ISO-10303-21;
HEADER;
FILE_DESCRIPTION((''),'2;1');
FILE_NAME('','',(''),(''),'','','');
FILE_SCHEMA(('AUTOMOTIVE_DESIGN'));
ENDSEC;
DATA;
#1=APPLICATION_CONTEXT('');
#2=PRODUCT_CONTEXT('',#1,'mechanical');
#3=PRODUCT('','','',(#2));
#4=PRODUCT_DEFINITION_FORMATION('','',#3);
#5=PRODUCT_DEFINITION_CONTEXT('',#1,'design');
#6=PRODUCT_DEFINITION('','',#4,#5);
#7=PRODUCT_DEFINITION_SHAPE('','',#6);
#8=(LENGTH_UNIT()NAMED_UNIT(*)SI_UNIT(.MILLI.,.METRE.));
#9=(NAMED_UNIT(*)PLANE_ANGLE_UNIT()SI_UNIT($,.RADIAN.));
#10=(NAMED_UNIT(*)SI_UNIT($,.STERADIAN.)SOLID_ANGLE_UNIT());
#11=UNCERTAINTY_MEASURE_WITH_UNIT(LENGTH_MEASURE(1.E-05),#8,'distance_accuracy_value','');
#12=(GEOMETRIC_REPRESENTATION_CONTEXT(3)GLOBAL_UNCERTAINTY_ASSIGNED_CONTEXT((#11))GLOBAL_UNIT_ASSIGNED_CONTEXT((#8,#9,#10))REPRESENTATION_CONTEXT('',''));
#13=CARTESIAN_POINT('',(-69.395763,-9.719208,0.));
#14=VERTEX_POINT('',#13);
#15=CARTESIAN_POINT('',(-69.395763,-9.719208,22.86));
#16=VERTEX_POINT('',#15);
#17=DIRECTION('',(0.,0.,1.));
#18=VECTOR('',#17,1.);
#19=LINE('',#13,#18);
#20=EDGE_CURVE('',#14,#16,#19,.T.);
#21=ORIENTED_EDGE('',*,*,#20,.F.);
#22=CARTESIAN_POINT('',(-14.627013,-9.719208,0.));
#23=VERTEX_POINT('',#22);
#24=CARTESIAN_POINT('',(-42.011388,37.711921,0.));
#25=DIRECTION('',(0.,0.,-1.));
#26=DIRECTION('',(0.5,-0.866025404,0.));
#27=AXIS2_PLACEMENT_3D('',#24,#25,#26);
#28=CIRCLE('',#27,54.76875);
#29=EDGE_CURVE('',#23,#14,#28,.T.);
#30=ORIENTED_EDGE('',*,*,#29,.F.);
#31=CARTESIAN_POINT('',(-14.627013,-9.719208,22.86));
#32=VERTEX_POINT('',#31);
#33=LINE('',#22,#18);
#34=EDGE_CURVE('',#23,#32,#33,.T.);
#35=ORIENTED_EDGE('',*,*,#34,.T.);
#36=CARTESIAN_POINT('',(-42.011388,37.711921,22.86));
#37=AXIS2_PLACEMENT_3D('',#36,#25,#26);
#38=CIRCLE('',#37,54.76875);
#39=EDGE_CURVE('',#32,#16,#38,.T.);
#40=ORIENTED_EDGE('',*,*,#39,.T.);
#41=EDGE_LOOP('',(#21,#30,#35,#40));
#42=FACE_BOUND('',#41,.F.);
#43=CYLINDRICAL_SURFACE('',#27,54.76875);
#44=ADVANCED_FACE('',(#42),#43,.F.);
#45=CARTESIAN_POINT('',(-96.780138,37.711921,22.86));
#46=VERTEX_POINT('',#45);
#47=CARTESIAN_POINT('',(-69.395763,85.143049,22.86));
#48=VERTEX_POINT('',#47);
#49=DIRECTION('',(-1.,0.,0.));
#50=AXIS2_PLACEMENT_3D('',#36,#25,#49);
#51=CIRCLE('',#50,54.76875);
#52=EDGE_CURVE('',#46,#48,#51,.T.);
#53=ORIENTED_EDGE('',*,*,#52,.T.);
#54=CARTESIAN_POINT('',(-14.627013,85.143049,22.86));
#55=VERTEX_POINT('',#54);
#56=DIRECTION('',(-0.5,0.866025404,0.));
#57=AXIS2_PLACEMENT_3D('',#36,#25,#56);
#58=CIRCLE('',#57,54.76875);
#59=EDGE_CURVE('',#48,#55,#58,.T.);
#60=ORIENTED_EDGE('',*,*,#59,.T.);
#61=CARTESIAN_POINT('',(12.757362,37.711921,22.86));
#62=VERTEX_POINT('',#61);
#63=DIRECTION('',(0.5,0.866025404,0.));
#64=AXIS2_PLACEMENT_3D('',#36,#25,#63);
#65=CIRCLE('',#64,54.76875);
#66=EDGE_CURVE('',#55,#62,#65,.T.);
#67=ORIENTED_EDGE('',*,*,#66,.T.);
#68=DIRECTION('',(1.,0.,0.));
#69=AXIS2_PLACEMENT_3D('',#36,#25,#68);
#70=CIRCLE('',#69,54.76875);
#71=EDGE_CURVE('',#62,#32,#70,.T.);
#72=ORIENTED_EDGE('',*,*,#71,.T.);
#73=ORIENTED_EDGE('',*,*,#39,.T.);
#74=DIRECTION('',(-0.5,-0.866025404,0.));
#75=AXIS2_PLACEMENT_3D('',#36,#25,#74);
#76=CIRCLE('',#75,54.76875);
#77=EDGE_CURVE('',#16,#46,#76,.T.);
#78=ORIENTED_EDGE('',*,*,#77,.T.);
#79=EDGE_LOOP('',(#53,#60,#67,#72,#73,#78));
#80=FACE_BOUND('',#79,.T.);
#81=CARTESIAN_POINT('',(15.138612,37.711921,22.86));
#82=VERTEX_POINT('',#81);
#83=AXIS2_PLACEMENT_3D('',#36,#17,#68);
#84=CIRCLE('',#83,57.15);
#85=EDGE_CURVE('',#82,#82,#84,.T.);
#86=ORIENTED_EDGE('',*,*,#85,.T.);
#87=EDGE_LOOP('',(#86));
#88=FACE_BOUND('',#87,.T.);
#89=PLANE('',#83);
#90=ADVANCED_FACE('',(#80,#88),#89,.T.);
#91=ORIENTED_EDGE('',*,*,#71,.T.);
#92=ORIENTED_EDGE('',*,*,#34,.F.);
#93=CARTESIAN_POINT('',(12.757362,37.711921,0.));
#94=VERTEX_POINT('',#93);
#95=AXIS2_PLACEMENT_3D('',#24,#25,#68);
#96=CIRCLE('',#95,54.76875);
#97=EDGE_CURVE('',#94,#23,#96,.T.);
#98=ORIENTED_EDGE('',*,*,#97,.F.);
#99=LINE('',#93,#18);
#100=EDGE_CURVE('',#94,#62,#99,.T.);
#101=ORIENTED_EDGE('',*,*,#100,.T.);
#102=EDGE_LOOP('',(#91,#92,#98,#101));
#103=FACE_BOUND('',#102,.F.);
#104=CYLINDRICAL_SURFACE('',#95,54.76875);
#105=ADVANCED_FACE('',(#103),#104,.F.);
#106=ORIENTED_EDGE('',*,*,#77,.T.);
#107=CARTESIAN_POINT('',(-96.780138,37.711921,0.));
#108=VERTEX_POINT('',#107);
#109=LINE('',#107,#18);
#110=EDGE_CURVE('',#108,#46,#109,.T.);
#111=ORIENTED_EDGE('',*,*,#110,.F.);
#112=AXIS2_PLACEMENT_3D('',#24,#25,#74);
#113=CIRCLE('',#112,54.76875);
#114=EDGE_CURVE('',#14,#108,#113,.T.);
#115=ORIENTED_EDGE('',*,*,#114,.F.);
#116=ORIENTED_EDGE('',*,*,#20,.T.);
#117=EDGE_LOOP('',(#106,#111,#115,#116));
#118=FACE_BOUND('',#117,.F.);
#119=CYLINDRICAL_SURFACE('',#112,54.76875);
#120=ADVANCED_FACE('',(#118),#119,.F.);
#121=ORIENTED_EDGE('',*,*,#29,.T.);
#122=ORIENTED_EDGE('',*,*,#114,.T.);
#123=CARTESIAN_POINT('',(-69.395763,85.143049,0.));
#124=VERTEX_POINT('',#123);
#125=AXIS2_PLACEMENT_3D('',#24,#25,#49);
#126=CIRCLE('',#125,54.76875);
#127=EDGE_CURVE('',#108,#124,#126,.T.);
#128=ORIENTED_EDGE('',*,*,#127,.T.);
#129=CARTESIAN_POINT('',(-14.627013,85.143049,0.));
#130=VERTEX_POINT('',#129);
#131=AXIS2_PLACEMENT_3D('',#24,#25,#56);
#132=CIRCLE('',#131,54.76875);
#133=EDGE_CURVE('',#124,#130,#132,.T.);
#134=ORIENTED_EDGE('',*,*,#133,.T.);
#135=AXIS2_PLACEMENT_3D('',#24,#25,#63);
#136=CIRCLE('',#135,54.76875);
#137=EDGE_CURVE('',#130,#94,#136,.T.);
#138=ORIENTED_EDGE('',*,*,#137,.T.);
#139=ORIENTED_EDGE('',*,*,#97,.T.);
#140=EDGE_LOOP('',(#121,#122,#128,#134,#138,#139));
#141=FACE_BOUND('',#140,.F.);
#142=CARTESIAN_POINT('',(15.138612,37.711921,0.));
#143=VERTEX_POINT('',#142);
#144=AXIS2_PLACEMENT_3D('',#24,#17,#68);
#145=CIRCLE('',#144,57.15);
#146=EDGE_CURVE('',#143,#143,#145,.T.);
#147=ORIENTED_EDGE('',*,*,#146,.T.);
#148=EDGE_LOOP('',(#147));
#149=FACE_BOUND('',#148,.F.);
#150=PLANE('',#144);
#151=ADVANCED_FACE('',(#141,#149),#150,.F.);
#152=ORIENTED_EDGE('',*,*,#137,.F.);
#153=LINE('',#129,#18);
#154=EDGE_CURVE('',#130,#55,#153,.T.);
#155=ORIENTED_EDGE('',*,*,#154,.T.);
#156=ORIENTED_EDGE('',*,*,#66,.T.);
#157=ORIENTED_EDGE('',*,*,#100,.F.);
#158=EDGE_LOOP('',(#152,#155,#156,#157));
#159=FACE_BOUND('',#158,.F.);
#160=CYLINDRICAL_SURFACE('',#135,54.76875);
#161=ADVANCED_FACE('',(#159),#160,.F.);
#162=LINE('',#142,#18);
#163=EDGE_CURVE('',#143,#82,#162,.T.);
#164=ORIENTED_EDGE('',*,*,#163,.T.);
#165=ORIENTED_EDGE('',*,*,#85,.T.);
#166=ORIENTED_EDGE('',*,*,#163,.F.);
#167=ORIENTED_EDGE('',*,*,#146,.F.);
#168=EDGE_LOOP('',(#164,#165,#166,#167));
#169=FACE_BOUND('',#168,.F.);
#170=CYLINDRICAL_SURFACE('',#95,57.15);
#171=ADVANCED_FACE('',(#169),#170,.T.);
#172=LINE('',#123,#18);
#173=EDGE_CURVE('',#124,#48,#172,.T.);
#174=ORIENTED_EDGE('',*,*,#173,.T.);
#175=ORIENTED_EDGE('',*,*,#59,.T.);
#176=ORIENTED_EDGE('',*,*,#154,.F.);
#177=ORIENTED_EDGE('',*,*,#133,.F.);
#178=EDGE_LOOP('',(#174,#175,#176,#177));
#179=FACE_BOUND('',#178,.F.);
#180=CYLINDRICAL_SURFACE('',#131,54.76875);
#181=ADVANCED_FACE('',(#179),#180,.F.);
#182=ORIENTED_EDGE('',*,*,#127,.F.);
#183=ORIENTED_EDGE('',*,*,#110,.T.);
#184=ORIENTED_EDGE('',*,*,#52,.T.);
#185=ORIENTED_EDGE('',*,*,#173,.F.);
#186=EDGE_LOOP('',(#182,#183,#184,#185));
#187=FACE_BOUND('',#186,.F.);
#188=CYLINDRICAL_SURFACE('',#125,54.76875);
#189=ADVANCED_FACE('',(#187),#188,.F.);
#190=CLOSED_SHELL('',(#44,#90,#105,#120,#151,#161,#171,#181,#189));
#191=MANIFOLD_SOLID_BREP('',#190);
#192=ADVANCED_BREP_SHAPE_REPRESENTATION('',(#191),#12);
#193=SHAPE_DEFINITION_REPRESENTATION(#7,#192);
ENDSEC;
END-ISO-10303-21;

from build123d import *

# Parameters (mm, degrees)
F0_R     = 38.1
F1_DEPTH = 15.24
F3_SCALE = 1.5


with BuildPart() as f1:
    # F0 (on Top) → F1 (new body)
    with BuildSketch(Plane.XY):
        with Locations((-42.0107929352, 37.7116280534)):
            Circle(F0_R)
        with BuildLine():
            ThreePointArc((-23.7545429352, 69.332380609), (-10.3900403795, 55.9678780534), (-5.4982929352, 37.7116280534))
            ThreePointArc((-5.4982929352, 37.7116280534), (-10.3900403795, 19.4553780534), (-23.7545429352, 6.0908754977))
            ThreePointArc((-23.7545429352, 6.0908754977), (-42.0107929352, 1.1991280534), (-60.2670429352, 6.0908754977))
            ThreePointArc((-60.2670429352, 6.0908754977), (-73.6315454908, 19.4553780534), (-78.5232929352, 37.7116280534))
            ThreePointArc((-78.5232929352, 37.7116280534), (-73.6315454908, 55.9678780534), (-60.2670429352, 69.332380609))
            ThreePointArc((-60.2670429352, 69.332380609), (-42.0107929352, 74.2241280534), (-23.7545429352, 69.332380609))
        make_face(mode=Mode.SUBTRACT)
    extrude(amount=F1_DEPTH)


with BuildPart() as f1_1:
    # F3: moved
    add(f1.part.scale(F3_SCALE).moved(Location((21.0048016161, -18.8555214554, 0))))


solid = f1_1.part
